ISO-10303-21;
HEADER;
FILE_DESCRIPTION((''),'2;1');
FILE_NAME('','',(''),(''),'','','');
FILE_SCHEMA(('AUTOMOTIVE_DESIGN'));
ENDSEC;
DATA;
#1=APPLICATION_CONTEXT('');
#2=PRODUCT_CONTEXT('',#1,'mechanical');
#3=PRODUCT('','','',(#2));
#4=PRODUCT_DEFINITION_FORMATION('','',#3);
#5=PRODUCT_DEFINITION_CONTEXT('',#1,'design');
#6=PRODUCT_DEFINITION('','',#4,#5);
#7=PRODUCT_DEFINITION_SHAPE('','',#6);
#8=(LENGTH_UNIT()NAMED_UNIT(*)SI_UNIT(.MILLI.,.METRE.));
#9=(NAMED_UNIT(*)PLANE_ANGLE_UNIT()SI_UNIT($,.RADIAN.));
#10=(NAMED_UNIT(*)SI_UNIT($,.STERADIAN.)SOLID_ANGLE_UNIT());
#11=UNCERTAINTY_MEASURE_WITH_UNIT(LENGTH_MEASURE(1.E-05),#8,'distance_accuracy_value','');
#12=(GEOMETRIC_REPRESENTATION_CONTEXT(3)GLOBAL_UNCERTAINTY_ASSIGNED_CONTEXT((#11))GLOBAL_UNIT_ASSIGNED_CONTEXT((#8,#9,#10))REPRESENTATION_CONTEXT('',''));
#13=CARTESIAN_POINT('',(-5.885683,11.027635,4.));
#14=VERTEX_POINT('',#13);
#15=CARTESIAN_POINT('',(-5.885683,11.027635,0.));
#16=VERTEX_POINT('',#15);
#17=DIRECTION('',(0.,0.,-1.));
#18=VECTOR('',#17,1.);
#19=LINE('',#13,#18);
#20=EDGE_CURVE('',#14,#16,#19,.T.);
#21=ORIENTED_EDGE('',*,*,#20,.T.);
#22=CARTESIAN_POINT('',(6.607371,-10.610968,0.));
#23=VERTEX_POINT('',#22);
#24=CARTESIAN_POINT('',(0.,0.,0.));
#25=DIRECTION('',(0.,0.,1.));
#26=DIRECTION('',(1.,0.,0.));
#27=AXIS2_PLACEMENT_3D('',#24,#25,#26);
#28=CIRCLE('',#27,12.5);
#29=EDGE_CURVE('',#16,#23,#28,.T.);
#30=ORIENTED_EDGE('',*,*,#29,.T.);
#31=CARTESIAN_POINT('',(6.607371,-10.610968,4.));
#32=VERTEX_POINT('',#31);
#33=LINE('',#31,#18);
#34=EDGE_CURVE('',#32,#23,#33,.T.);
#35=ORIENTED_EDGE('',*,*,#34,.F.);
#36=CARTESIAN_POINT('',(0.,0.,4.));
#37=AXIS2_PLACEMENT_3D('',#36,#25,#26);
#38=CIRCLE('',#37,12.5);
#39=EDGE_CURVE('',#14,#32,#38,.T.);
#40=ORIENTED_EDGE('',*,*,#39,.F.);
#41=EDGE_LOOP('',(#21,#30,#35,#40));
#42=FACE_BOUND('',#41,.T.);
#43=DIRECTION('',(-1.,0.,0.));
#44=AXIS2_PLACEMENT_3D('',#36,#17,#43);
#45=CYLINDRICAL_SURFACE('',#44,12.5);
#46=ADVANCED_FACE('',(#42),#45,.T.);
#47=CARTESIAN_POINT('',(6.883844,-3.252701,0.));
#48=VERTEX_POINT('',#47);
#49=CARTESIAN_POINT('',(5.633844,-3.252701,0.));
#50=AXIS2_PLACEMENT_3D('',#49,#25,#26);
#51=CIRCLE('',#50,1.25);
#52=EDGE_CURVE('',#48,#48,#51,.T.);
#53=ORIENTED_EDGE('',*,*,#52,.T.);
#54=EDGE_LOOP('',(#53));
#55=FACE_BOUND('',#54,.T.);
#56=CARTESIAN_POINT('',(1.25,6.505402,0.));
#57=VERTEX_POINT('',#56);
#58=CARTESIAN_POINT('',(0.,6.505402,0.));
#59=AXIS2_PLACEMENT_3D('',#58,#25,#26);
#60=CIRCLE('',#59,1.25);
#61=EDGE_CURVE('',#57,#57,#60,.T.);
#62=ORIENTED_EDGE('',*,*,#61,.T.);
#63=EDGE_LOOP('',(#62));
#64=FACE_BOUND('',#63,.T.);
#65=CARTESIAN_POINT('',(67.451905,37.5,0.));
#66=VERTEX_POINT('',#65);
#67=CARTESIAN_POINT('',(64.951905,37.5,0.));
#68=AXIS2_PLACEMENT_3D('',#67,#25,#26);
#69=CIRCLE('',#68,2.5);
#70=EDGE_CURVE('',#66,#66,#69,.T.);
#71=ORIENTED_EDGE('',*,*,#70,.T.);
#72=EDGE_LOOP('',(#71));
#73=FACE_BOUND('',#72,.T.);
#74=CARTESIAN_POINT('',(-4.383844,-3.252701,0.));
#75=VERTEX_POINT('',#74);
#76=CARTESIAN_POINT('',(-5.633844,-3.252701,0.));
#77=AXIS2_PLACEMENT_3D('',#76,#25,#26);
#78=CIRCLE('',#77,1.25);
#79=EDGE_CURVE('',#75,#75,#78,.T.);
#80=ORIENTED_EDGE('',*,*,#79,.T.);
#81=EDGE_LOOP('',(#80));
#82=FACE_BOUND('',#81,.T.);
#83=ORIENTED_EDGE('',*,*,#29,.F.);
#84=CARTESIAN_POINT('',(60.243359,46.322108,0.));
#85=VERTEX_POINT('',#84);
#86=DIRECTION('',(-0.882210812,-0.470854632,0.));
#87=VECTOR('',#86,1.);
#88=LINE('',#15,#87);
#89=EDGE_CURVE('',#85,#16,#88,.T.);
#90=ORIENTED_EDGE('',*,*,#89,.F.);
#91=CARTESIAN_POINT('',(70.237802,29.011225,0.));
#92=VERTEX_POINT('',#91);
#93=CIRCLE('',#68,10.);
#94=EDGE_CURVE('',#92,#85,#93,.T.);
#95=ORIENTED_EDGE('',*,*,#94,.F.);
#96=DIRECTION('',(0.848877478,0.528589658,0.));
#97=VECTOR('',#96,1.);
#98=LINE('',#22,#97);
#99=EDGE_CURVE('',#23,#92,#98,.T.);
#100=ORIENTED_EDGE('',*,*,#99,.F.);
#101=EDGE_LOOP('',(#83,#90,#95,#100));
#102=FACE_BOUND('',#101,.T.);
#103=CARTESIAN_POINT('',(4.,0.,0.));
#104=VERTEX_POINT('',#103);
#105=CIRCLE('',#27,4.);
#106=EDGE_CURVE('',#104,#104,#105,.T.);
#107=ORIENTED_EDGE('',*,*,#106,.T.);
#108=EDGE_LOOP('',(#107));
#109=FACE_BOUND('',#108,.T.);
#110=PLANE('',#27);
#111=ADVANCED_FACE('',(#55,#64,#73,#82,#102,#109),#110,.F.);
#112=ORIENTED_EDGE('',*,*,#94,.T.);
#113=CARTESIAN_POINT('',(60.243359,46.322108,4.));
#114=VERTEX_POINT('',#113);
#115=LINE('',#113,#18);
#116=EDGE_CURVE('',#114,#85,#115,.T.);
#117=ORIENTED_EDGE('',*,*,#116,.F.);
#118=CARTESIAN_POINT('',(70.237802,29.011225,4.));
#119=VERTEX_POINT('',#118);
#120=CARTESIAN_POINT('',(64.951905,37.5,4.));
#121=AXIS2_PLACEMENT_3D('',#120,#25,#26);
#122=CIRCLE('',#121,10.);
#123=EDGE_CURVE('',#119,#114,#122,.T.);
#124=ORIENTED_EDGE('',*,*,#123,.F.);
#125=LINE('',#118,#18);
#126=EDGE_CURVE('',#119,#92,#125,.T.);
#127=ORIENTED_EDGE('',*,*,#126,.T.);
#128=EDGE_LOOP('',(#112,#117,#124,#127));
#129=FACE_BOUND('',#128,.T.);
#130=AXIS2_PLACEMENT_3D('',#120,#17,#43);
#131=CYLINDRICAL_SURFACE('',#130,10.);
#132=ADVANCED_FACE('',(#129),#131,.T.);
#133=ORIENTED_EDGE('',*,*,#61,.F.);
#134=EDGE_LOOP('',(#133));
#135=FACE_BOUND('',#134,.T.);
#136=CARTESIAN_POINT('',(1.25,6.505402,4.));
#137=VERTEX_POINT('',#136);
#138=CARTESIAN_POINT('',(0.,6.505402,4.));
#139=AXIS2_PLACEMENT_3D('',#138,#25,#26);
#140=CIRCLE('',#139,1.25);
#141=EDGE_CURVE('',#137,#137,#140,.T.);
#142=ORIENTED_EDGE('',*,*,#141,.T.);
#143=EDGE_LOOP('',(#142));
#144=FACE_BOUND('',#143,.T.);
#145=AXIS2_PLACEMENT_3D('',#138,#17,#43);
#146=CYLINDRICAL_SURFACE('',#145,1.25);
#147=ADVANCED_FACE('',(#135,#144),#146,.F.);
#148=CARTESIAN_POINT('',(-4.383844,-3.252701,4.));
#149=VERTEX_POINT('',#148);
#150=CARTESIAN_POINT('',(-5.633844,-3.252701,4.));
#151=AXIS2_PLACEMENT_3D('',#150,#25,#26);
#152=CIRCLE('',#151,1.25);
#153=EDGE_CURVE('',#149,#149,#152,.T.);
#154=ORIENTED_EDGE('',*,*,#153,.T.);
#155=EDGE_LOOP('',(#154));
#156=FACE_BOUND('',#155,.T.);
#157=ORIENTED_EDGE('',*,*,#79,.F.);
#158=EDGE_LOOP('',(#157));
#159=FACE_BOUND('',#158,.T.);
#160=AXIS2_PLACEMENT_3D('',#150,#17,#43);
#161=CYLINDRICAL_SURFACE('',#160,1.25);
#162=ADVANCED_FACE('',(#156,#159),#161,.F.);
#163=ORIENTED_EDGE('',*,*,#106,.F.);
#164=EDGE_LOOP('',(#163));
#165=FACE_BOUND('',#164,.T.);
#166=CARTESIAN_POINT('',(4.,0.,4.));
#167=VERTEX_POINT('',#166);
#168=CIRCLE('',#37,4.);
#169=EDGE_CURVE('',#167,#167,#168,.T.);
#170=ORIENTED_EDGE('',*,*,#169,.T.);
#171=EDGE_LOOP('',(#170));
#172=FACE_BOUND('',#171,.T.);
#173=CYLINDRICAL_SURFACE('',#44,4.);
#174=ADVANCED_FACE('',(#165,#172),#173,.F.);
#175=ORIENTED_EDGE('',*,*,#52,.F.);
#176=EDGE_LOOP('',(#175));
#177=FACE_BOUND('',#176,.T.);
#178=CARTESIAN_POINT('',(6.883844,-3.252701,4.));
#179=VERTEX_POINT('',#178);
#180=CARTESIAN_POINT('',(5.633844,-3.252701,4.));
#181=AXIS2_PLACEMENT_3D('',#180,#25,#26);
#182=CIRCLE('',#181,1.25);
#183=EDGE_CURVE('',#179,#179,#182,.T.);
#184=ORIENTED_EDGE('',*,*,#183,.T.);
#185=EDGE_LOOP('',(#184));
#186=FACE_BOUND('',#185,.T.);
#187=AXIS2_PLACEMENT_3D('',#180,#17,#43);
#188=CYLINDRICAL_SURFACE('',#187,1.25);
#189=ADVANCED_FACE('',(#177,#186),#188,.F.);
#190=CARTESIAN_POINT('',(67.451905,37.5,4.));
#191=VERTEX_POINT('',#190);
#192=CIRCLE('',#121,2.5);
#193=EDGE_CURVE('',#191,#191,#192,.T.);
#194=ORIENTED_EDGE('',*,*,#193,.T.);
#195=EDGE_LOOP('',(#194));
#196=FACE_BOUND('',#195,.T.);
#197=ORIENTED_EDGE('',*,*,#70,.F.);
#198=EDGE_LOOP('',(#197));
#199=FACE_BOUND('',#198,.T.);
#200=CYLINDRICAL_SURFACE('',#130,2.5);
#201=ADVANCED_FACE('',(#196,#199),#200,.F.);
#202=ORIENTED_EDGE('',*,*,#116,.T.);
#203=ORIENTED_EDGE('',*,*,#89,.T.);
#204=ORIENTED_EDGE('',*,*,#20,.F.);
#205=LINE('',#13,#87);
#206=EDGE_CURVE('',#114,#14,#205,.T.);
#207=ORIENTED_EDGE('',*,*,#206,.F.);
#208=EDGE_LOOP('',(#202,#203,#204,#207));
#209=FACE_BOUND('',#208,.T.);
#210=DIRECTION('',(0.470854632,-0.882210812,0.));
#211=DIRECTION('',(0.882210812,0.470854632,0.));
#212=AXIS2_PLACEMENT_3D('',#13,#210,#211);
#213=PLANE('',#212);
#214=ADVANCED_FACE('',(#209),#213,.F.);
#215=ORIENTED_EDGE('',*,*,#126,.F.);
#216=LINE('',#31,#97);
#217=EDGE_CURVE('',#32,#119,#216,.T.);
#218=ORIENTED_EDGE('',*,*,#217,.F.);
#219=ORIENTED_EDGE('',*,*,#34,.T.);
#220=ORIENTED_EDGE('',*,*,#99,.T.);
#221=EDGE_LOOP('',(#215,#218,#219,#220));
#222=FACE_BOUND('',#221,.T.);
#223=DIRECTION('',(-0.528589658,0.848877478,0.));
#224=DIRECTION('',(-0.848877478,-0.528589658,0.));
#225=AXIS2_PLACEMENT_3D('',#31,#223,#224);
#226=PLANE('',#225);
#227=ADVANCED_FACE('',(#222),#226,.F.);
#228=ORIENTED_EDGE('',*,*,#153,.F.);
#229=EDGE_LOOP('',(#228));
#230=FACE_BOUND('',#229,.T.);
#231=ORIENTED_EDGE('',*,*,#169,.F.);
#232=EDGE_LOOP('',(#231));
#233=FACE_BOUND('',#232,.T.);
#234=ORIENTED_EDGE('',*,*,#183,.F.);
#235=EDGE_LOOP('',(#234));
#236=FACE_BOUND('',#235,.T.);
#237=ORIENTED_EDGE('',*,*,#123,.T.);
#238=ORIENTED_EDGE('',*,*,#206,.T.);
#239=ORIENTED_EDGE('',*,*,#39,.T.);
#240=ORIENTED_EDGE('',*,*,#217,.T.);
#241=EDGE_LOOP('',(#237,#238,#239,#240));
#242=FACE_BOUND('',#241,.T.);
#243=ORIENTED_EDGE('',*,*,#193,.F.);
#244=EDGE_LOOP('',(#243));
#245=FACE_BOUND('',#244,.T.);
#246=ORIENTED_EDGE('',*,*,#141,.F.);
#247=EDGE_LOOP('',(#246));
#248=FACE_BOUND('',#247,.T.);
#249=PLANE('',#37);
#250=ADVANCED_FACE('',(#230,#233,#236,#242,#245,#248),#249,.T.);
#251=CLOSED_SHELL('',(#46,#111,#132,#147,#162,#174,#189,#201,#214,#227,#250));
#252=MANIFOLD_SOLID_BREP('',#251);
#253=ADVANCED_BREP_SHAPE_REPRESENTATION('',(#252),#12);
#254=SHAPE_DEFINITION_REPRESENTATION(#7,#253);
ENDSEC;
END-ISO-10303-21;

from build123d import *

# Parameters (mm, degrees)
SKETCH1_R           = 12.5
SKETCH1_R_2         = 4
SKETCH1_R_3         = 1.25
SKETCH1_R_4         = 10
SKETCH1_R_5         = 2.5
BOSS_EXTRUDE1_DEPTH = 4


with BuildPart() as part:
    # Sketch1 → Boss-Extrude1 (new body)
    # profile 1 of 3: a face of its own
    with BuildSketch(Plane.XY):
        Circle(SKETCH1_R)
        Circle(SKETCH1_R_2, mode=Mode.SUBTRACT)
        with Locations((0, 6.505402357)):
            Circle(SKETCH1_R_3, mode=Mode.SUBTRACT)
        with Locations((5.633843703, -3.252701179)):
            Circle(SKETCH1_R_3, mode=Mode.SUBTRACT)
        with Locations((-5.633843703, -3.252701179)):
            Circle(SKETCH1_R_3, mode=Mode.SUBTRACT)
    # profile 2 of 3: a face of its own
    with BuildSketch(Plane.XY):
        with BuildLine():
            ThreePointArc((70.237801869, 29.011225218), (56.291651246, 32.5), (60.243358968, 46.322108115))
            Line((60.243358968, 46.322108115), (-5.885682894, 11.027635144))
            ThreePointArc((-5.885682894, 11.027635144), (6.429578673, 10.719632367), (12.5, 0))
            ThreePointArc((12.5, 0), (10.92799465, -6.068684613), (6.607370731, -10.610968477))
            Line((6.607370731, -10.610968477), (70.237801869, 29.011225218))
        make_face()
    # profile 3 of 3: a face of its own
    with BuildSketch(Plane.XY):
        with Locations((64.951905284, 37.5)):
            Circle(SKETCH1_R_4)
        with Locations((64.951905284, 37.5)):
            Circle(SKETCH1_R_5, mode=Mode.SUBTRACT)
    extrude(amount=BOSS_EXTRUDE1_DEPTH)


solid = part.part
